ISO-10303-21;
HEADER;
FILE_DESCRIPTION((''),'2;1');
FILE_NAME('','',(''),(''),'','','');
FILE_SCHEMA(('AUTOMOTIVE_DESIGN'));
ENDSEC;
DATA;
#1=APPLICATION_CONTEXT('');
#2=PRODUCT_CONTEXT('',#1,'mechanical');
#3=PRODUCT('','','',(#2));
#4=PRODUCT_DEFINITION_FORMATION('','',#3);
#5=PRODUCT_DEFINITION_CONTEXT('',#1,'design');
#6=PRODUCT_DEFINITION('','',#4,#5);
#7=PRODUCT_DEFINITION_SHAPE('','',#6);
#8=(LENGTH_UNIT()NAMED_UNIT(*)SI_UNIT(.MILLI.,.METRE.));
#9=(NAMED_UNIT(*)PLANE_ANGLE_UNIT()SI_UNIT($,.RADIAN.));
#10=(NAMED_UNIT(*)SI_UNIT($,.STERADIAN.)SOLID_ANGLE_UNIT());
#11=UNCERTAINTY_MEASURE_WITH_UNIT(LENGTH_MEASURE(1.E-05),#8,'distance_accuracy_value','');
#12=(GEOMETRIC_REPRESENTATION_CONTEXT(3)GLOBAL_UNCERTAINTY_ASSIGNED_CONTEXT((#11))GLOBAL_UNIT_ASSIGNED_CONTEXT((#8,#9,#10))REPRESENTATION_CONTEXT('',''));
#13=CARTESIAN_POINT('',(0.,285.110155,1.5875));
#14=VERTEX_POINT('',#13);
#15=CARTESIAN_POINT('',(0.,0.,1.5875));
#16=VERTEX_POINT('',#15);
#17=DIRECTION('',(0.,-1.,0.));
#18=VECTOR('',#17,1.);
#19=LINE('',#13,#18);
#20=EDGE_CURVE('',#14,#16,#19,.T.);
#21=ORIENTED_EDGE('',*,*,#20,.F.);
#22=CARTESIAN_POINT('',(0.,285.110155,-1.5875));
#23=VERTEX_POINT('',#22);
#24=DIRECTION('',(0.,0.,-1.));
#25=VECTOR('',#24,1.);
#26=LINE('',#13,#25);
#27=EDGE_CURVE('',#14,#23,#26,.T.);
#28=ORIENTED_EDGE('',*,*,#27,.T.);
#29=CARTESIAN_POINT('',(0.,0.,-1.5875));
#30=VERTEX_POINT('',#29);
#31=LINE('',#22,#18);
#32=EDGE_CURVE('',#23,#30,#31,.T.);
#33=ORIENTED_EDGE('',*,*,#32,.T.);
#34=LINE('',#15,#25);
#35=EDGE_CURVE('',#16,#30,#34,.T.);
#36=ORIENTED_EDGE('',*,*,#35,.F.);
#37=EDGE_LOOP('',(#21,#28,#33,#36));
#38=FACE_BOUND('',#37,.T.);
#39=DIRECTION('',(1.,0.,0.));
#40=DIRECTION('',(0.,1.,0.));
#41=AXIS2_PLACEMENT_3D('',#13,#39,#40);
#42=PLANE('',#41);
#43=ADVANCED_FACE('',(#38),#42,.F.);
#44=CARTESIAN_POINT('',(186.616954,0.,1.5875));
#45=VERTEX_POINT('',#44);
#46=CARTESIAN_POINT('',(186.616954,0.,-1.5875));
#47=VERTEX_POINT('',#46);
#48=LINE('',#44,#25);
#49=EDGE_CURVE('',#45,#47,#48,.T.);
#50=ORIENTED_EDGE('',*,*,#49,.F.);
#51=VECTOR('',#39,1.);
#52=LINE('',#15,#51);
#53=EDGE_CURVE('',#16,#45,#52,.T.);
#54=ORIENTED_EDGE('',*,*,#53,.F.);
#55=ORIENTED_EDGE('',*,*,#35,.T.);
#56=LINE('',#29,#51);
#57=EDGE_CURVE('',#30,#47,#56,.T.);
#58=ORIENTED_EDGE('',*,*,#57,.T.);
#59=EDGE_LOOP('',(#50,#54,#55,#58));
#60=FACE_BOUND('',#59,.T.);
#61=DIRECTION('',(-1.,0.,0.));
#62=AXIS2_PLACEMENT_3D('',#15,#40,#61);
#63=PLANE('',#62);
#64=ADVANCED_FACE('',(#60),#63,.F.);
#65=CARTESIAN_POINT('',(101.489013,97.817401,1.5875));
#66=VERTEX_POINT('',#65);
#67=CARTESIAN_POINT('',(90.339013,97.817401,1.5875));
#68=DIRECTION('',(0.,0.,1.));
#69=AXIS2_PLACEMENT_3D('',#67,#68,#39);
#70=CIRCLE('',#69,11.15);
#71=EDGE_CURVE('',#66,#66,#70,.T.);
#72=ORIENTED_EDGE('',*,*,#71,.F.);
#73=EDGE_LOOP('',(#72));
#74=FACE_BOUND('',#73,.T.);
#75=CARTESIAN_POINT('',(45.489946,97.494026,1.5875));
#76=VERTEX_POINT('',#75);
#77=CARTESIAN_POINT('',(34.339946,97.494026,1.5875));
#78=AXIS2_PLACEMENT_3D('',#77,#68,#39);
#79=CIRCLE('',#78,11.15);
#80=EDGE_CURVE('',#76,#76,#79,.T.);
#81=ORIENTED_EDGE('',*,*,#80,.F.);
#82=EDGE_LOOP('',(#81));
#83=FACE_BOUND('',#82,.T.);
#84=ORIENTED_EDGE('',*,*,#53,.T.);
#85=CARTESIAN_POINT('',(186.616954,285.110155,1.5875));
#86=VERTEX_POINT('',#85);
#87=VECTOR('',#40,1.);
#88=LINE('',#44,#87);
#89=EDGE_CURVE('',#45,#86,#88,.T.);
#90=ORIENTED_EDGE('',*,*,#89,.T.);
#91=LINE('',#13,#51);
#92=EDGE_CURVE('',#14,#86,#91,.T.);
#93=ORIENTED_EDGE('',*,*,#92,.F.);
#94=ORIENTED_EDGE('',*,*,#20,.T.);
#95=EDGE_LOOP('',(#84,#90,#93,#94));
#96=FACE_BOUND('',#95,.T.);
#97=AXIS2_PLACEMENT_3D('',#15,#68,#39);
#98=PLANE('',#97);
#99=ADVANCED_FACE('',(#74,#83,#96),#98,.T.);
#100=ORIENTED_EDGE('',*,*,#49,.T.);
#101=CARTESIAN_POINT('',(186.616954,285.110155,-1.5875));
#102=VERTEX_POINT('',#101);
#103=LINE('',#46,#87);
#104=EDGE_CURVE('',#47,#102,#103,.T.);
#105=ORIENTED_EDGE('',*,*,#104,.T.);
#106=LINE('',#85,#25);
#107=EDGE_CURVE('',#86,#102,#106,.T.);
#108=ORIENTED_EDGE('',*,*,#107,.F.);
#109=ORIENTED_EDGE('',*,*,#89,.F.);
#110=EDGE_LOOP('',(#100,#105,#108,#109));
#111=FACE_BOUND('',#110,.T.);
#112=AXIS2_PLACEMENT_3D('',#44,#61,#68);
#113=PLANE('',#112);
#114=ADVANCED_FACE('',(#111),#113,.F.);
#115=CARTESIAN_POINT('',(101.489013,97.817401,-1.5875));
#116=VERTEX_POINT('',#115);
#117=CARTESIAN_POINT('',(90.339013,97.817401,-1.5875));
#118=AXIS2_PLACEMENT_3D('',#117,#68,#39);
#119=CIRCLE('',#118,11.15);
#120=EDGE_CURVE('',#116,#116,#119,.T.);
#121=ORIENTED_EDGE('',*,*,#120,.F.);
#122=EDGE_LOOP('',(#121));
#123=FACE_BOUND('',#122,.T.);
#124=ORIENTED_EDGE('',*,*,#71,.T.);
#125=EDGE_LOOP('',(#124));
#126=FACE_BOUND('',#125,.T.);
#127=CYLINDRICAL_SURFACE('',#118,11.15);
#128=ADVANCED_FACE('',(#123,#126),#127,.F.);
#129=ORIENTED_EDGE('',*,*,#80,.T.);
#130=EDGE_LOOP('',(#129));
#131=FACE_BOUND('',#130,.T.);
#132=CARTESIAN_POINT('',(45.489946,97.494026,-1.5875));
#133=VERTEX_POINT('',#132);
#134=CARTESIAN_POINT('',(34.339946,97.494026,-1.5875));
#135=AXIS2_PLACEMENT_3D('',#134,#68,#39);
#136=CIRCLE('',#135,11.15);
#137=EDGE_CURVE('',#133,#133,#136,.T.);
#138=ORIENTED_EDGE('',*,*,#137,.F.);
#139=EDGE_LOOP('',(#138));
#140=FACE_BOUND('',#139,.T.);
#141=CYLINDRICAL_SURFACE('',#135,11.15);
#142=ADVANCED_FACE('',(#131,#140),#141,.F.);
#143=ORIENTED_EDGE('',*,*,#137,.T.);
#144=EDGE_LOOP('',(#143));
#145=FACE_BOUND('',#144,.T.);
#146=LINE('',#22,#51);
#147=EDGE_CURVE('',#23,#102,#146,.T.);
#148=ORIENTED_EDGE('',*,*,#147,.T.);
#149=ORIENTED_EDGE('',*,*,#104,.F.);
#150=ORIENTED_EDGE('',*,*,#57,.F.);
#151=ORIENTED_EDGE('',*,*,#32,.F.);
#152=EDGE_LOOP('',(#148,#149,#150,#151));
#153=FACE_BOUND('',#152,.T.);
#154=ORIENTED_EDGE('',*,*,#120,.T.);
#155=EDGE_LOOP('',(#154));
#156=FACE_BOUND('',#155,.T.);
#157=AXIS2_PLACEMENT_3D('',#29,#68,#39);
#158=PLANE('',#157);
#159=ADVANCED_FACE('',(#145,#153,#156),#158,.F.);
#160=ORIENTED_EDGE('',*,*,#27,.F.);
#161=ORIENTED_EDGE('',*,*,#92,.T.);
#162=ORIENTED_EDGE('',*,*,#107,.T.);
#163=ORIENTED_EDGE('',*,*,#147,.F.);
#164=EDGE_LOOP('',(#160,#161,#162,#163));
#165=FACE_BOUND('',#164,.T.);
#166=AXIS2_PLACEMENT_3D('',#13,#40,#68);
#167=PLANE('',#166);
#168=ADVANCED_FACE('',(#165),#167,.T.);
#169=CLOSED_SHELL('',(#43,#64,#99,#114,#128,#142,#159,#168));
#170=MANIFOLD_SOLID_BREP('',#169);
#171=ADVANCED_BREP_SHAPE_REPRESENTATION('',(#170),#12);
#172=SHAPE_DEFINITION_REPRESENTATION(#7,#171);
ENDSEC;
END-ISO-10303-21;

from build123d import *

# Parameters (mm, degrees)
SKETCH1_W           = 186.616953842
SKETCH1_H           = 285.110155161
BOSS_EXTRUDE1_DEPTH = 1.5875
SKETCH2_R           = 11.15
CUT_EXTRUDE1_DEPTH  = 4.175


with BuildPart() as part:
    # Sketch1 → Boss-Extrude1 (new body, symmetric)
    with BuildSketch(Plane.XY):
        with Locations((93.308476921, 142.555077581)):
            Rectangle(SKETCH1_W, SKETCH1_H)
    extrude(amount=BOSS_EXTRUDE1_DEPTH, both=True)

    # Sketch2 → Cut-Extrude1 (cut, through all)
    with BuildSketch(Plane.XY.offset(1.5875)):
        with Locations((90.33901258, 97.817400981)):
            Circle(SKETCH2_R)
        with Locations((34.339946259, 97.494026403)):
            Circle(SKETCH2_R)
    extrude(amount=-CUT_EXTRUDE1_DEPTH, mode=Mode.SUBTRACT)


solid = part.part
